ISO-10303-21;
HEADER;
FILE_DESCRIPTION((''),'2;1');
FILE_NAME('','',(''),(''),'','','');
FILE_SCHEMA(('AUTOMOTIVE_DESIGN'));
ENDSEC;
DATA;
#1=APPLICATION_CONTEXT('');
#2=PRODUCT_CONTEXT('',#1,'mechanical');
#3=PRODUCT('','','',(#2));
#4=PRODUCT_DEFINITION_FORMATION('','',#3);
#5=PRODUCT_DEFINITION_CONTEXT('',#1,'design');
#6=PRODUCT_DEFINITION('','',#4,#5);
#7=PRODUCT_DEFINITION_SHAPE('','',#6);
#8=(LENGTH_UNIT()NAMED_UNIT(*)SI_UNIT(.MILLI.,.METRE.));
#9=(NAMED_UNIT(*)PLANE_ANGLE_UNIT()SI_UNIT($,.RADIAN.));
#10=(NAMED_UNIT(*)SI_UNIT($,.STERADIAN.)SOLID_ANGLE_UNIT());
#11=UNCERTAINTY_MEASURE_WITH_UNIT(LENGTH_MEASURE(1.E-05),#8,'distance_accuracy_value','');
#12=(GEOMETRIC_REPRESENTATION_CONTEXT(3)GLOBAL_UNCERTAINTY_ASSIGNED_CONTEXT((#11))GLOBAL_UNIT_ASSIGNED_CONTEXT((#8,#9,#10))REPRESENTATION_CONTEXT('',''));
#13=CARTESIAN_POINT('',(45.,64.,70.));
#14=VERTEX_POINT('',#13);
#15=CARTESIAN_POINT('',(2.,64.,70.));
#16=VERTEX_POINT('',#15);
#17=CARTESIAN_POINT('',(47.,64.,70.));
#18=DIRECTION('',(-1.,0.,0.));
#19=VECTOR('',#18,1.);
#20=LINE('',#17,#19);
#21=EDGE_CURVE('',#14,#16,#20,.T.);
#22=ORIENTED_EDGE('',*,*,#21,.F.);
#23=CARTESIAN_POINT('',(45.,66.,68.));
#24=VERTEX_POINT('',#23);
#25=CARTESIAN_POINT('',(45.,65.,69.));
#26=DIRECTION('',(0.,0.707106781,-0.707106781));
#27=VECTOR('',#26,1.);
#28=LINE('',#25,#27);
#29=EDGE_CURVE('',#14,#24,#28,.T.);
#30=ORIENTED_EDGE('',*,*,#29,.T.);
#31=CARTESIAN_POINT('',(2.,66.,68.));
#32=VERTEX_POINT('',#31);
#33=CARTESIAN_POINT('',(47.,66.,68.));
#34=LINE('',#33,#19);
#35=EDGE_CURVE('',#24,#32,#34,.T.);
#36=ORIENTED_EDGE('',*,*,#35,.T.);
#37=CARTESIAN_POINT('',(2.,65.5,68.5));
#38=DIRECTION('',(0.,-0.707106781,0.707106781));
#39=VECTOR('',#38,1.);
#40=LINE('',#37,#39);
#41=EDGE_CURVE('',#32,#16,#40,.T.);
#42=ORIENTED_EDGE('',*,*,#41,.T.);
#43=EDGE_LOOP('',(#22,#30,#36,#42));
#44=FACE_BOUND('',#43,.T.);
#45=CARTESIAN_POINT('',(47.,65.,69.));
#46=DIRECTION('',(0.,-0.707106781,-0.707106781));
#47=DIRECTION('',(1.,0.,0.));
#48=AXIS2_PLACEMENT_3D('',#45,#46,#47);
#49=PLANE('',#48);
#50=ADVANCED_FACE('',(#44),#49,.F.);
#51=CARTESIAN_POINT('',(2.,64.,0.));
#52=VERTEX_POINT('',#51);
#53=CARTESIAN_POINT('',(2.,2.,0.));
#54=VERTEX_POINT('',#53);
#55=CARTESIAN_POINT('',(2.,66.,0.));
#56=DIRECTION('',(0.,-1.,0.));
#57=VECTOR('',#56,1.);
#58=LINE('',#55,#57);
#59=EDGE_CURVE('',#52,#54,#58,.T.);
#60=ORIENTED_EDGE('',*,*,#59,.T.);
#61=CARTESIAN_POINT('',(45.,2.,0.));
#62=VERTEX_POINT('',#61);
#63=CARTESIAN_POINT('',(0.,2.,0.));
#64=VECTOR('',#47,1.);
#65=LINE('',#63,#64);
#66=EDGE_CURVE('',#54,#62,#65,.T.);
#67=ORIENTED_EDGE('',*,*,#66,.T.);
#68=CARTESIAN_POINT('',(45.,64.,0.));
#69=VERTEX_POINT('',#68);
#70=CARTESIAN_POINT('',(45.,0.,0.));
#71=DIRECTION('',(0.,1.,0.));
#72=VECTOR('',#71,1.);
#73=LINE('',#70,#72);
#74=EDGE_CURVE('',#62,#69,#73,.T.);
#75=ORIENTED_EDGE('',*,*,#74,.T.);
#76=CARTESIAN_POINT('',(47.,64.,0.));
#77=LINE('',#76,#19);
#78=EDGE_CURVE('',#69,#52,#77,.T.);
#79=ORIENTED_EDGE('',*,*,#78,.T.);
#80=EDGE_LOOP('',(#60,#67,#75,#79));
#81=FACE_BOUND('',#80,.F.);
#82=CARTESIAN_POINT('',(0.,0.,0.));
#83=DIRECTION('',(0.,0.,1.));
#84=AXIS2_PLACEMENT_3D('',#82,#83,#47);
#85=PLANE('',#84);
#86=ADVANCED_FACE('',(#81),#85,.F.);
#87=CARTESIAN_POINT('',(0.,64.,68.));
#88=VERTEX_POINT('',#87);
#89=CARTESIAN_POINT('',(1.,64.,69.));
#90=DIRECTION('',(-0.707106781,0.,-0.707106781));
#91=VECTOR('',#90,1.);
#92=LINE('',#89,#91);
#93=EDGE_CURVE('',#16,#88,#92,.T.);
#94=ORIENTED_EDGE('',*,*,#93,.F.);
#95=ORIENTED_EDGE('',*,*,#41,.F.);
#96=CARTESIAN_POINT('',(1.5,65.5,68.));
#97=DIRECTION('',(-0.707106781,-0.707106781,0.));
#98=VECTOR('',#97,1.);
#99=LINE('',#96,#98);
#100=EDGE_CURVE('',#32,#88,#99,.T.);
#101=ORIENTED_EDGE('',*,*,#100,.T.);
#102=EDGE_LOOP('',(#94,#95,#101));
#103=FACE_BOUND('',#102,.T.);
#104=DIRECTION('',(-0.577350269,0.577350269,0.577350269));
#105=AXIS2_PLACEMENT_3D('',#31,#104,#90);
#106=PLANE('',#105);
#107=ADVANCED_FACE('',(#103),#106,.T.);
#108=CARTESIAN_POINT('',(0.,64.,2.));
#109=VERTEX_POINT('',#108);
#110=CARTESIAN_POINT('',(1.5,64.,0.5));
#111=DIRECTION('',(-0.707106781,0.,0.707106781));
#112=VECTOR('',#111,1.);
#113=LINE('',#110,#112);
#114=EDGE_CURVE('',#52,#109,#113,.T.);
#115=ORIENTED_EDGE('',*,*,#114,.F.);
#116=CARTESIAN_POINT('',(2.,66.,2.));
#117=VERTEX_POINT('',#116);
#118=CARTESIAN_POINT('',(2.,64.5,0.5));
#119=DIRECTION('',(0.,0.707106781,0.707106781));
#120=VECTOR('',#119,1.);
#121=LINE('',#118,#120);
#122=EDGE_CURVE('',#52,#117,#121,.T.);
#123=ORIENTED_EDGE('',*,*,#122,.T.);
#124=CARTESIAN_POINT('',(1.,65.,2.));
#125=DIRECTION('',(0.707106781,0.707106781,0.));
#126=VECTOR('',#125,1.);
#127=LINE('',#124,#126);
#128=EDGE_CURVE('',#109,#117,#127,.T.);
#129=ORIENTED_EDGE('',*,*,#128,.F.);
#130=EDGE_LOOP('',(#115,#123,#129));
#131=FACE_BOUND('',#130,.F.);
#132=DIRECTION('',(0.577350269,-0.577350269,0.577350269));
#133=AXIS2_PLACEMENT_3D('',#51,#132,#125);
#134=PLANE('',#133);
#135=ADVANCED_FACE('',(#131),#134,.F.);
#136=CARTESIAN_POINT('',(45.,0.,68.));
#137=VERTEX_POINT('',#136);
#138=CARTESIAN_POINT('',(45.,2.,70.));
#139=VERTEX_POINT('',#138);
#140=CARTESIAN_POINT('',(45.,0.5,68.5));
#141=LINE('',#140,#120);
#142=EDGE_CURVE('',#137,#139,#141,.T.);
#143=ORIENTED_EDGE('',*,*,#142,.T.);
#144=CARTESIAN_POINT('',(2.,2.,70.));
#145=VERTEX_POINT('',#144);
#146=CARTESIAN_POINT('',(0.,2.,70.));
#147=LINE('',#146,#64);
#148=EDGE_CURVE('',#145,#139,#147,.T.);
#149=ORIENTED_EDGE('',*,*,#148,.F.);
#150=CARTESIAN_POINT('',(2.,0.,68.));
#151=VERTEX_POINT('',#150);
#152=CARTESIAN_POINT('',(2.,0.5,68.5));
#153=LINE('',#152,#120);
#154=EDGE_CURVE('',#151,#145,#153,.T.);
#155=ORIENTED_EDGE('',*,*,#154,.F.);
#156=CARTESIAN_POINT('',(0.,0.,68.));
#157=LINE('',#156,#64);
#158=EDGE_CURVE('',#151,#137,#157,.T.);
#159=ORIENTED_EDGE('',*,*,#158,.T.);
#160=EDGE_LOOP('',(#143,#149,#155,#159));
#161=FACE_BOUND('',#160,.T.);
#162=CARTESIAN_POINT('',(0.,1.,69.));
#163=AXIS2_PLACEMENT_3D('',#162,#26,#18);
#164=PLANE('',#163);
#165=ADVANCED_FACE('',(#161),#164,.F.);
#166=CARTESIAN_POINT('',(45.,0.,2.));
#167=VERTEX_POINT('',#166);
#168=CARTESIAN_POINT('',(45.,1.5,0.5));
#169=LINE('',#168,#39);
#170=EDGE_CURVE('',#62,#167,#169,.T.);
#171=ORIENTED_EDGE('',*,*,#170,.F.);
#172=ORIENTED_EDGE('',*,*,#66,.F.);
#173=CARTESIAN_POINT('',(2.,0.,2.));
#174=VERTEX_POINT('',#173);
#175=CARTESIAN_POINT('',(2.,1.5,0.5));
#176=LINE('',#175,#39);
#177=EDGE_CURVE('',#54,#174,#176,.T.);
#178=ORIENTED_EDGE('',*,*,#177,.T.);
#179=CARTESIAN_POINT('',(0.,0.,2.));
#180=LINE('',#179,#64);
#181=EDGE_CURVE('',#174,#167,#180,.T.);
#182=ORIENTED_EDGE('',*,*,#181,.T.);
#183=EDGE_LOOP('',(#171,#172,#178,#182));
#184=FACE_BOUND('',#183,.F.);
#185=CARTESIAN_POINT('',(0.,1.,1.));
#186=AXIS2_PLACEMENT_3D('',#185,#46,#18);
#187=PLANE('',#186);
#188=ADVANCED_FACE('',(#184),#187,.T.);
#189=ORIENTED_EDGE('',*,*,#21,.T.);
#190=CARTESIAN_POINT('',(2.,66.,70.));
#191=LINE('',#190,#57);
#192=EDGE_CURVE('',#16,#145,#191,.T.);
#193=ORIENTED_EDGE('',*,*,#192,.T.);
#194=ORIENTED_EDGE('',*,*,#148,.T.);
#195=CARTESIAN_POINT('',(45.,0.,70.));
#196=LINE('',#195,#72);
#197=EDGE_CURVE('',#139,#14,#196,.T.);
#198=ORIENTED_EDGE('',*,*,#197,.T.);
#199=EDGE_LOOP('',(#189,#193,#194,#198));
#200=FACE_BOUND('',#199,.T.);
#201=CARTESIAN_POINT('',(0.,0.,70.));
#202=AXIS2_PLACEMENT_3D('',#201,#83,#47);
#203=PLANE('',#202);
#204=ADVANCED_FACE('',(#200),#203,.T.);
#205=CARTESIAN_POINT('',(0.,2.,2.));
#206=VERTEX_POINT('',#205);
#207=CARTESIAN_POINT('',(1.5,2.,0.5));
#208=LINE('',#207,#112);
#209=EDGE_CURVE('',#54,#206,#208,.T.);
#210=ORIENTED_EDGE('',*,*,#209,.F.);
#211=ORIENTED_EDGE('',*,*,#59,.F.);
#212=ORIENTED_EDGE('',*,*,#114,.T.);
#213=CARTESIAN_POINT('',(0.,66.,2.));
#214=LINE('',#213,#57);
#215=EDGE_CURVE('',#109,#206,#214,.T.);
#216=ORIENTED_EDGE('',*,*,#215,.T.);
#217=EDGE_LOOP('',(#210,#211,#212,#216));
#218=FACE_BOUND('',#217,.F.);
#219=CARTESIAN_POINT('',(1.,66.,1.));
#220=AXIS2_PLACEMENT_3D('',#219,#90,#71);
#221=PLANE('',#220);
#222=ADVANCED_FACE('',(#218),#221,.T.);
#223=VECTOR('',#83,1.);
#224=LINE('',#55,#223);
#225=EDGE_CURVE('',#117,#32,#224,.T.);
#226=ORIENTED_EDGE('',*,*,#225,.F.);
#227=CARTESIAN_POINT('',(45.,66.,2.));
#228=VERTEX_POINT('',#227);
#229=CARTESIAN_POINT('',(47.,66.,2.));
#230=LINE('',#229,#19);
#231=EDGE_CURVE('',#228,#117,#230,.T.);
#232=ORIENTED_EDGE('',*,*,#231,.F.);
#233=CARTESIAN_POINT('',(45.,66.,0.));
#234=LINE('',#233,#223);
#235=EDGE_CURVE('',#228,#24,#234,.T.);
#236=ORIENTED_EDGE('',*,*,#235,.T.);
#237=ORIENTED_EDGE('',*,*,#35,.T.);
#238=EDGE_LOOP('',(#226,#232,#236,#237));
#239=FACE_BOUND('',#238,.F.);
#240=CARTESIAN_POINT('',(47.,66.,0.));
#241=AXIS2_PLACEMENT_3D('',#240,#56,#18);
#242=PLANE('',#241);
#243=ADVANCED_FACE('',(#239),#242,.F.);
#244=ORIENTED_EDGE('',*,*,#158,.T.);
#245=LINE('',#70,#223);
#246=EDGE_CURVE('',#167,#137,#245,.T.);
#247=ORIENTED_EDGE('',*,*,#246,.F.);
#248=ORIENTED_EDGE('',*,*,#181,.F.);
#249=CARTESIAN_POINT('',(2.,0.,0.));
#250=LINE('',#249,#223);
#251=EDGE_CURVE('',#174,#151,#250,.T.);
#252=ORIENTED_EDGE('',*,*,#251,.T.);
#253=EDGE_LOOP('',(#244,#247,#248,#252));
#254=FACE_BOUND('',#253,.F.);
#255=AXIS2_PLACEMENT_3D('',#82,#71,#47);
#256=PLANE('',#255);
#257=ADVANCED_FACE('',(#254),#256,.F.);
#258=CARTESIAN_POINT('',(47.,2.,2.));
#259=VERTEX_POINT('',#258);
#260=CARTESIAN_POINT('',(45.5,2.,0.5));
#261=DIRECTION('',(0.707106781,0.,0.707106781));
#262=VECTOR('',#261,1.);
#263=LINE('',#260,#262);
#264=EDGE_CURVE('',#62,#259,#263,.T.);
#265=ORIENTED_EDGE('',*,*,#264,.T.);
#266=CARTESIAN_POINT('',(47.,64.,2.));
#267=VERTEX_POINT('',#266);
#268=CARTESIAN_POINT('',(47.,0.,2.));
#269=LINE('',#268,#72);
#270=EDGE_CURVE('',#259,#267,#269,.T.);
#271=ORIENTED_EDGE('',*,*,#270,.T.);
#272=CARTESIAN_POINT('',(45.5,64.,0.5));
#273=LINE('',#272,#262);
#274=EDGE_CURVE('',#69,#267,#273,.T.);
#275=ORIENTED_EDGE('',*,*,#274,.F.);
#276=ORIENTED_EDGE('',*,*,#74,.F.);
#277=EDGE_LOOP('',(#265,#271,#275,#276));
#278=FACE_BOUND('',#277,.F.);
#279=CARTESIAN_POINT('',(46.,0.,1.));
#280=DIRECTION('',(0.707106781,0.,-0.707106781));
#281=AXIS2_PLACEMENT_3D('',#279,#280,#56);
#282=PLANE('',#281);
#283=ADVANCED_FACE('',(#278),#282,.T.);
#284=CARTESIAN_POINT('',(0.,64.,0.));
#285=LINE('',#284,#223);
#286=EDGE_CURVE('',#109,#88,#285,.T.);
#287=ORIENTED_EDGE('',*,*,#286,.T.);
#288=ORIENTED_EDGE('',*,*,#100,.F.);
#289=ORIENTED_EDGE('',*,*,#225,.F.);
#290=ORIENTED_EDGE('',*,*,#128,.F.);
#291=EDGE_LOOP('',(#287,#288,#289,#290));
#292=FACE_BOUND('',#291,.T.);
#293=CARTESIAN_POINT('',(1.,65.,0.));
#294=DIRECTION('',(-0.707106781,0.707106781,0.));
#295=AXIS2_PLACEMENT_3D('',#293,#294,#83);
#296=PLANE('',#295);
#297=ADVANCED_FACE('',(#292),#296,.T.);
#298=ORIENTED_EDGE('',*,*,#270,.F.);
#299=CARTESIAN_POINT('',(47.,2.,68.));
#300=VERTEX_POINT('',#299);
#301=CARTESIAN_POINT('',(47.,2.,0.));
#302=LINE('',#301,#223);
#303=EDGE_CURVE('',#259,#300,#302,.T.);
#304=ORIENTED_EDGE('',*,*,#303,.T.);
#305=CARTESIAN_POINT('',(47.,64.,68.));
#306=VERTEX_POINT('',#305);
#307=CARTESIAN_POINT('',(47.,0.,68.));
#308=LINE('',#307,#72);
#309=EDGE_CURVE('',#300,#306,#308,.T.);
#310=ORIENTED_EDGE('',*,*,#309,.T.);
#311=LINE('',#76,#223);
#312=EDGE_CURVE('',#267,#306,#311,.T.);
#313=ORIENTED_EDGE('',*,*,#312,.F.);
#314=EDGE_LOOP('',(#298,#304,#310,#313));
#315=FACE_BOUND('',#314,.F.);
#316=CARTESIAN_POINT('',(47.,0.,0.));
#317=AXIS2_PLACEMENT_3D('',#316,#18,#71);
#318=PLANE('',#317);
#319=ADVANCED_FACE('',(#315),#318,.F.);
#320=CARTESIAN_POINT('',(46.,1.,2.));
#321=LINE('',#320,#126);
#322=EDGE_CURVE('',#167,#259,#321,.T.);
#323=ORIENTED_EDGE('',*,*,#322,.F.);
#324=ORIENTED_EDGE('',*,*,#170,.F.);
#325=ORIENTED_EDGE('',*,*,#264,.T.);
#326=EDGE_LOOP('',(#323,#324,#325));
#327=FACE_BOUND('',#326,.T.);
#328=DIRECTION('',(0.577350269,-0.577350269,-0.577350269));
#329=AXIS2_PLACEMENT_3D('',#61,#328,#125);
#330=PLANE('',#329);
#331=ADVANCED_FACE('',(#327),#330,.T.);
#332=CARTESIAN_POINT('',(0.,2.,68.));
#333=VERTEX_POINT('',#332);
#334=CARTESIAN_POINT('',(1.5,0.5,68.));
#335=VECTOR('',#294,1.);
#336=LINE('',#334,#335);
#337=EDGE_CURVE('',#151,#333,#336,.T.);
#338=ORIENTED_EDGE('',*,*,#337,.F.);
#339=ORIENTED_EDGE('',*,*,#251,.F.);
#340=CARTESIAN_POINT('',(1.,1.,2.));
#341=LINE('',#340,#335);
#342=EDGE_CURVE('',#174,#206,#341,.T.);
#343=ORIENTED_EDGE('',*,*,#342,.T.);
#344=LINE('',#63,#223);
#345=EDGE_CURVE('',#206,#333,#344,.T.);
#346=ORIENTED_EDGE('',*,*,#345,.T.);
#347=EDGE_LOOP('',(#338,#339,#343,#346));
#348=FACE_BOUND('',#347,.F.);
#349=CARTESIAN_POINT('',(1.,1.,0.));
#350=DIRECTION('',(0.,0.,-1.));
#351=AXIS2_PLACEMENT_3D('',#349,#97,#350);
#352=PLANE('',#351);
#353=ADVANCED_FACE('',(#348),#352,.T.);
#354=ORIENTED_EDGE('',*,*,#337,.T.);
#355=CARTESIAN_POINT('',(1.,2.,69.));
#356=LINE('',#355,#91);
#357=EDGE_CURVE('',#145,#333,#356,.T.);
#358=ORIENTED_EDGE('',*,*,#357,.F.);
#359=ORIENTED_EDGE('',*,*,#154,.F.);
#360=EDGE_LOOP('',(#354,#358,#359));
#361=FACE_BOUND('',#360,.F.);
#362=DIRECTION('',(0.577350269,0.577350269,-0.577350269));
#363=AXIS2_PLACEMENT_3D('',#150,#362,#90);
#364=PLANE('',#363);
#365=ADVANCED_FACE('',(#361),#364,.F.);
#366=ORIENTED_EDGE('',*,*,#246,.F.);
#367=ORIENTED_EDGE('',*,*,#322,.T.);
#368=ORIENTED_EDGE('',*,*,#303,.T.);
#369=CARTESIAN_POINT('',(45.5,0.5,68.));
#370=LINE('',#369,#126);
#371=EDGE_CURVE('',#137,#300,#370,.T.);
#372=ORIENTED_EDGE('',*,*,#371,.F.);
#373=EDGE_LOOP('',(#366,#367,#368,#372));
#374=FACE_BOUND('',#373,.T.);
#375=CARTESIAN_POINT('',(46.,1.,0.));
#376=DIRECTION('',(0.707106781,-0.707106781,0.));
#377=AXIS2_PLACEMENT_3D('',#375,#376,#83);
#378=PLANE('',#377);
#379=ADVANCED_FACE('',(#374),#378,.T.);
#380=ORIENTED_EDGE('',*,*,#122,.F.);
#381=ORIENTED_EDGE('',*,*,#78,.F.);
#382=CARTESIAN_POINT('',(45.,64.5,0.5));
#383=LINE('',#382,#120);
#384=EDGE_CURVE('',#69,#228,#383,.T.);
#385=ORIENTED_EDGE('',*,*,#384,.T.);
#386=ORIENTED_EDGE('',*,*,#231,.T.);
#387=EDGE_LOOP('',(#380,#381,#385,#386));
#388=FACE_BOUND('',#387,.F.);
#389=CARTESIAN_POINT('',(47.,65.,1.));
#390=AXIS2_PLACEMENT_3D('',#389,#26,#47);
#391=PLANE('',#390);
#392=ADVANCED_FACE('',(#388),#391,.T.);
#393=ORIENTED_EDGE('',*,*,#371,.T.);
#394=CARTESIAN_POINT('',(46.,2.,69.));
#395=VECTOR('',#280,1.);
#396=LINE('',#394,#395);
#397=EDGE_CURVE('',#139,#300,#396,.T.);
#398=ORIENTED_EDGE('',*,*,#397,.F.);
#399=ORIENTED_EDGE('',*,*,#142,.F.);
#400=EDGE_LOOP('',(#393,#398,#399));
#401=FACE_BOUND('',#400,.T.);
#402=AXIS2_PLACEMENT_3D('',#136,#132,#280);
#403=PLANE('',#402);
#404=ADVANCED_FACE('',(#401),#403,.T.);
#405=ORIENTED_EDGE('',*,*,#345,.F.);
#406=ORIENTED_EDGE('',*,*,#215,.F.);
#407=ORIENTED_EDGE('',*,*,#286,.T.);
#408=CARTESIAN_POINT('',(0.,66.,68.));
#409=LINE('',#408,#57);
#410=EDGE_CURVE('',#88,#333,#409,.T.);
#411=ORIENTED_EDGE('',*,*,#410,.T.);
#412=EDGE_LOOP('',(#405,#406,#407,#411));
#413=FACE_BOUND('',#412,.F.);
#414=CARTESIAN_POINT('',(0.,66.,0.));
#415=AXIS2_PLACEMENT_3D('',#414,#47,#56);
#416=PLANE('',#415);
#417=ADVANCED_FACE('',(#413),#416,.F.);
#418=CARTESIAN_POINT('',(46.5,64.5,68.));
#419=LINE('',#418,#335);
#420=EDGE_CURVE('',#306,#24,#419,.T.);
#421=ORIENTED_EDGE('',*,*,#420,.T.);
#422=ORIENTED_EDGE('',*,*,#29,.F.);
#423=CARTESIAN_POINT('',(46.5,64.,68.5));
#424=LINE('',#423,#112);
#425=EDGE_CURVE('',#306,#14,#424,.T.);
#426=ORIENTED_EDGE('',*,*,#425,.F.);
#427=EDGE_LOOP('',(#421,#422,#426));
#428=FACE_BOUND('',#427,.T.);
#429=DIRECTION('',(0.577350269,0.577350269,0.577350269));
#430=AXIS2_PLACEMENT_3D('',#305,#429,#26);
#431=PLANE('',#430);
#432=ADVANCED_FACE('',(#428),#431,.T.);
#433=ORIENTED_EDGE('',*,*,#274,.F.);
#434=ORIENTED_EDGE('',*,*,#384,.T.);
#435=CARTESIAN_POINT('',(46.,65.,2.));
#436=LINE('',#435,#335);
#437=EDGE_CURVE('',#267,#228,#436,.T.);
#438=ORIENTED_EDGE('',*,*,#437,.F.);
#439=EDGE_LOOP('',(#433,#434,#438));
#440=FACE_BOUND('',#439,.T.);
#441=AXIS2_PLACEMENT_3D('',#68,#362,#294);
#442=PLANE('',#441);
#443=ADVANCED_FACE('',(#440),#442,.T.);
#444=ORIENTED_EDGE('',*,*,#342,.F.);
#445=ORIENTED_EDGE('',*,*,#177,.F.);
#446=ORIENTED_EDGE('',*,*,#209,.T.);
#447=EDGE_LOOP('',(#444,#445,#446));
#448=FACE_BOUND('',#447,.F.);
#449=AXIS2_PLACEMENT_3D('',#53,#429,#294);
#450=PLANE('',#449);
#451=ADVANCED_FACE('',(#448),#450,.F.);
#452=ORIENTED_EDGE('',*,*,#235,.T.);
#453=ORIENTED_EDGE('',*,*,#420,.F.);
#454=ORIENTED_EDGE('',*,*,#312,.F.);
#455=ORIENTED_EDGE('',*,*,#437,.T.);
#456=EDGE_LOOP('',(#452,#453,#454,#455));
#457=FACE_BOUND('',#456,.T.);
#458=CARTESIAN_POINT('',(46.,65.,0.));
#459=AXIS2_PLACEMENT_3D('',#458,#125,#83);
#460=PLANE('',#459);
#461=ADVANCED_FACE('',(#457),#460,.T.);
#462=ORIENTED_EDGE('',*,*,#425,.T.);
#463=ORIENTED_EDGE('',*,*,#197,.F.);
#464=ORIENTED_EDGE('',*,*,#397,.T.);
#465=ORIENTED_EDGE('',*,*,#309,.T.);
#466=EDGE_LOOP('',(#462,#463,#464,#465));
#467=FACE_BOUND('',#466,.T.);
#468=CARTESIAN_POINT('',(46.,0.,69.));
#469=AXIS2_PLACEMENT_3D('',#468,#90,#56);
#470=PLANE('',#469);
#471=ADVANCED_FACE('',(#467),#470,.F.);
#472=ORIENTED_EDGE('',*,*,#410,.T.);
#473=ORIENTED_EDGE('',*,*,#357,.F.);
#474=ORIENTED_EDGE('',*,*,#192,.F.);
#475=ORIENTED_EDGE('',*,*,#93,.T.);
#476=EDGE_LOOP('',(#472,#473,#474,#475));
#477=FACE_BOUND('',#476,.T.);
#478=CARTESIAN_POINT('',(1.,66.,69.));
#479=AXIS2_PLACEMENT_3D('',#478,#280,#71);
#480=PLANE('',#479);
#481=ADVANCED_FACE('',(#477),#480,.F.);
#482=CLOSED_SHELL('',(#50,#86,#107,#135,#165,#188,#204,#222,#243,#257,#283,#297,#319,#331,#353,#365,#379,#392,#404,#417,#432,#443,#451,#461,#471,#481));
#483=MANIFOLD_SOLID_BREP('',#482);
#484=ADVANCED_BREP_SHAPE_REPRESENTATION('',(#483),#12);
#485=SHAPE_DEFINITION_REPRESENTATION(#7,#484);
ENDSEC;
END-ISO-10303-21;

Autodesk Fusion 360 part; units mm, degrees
sketch "Sketch1" plane through (0, 0, 0) normal (0, 0, 1) x (1, 0, 0)
  line L0 (0, 0) -> (47, 0)
  line L1 (47, 0) -> (47, 66)
  line L2 (47, 66) -> (0, 66)
  line L3 (0, 66) -> (0, 0)
  dimension "d1" = 47
  dimension "d2" = 66
extrude "Extrude1" add sketch "Sketch1" along normal blind 70
chamfer "Chamfer1" distance 2 angle 45 6 faces at (15.6667, 44, 70) (15.6667, 0, 23.3333) (47, 22, 23.3333) (0, 44, 23.3333) (31.3333, 66, 23.3333) (15.6667, 44, 0)
